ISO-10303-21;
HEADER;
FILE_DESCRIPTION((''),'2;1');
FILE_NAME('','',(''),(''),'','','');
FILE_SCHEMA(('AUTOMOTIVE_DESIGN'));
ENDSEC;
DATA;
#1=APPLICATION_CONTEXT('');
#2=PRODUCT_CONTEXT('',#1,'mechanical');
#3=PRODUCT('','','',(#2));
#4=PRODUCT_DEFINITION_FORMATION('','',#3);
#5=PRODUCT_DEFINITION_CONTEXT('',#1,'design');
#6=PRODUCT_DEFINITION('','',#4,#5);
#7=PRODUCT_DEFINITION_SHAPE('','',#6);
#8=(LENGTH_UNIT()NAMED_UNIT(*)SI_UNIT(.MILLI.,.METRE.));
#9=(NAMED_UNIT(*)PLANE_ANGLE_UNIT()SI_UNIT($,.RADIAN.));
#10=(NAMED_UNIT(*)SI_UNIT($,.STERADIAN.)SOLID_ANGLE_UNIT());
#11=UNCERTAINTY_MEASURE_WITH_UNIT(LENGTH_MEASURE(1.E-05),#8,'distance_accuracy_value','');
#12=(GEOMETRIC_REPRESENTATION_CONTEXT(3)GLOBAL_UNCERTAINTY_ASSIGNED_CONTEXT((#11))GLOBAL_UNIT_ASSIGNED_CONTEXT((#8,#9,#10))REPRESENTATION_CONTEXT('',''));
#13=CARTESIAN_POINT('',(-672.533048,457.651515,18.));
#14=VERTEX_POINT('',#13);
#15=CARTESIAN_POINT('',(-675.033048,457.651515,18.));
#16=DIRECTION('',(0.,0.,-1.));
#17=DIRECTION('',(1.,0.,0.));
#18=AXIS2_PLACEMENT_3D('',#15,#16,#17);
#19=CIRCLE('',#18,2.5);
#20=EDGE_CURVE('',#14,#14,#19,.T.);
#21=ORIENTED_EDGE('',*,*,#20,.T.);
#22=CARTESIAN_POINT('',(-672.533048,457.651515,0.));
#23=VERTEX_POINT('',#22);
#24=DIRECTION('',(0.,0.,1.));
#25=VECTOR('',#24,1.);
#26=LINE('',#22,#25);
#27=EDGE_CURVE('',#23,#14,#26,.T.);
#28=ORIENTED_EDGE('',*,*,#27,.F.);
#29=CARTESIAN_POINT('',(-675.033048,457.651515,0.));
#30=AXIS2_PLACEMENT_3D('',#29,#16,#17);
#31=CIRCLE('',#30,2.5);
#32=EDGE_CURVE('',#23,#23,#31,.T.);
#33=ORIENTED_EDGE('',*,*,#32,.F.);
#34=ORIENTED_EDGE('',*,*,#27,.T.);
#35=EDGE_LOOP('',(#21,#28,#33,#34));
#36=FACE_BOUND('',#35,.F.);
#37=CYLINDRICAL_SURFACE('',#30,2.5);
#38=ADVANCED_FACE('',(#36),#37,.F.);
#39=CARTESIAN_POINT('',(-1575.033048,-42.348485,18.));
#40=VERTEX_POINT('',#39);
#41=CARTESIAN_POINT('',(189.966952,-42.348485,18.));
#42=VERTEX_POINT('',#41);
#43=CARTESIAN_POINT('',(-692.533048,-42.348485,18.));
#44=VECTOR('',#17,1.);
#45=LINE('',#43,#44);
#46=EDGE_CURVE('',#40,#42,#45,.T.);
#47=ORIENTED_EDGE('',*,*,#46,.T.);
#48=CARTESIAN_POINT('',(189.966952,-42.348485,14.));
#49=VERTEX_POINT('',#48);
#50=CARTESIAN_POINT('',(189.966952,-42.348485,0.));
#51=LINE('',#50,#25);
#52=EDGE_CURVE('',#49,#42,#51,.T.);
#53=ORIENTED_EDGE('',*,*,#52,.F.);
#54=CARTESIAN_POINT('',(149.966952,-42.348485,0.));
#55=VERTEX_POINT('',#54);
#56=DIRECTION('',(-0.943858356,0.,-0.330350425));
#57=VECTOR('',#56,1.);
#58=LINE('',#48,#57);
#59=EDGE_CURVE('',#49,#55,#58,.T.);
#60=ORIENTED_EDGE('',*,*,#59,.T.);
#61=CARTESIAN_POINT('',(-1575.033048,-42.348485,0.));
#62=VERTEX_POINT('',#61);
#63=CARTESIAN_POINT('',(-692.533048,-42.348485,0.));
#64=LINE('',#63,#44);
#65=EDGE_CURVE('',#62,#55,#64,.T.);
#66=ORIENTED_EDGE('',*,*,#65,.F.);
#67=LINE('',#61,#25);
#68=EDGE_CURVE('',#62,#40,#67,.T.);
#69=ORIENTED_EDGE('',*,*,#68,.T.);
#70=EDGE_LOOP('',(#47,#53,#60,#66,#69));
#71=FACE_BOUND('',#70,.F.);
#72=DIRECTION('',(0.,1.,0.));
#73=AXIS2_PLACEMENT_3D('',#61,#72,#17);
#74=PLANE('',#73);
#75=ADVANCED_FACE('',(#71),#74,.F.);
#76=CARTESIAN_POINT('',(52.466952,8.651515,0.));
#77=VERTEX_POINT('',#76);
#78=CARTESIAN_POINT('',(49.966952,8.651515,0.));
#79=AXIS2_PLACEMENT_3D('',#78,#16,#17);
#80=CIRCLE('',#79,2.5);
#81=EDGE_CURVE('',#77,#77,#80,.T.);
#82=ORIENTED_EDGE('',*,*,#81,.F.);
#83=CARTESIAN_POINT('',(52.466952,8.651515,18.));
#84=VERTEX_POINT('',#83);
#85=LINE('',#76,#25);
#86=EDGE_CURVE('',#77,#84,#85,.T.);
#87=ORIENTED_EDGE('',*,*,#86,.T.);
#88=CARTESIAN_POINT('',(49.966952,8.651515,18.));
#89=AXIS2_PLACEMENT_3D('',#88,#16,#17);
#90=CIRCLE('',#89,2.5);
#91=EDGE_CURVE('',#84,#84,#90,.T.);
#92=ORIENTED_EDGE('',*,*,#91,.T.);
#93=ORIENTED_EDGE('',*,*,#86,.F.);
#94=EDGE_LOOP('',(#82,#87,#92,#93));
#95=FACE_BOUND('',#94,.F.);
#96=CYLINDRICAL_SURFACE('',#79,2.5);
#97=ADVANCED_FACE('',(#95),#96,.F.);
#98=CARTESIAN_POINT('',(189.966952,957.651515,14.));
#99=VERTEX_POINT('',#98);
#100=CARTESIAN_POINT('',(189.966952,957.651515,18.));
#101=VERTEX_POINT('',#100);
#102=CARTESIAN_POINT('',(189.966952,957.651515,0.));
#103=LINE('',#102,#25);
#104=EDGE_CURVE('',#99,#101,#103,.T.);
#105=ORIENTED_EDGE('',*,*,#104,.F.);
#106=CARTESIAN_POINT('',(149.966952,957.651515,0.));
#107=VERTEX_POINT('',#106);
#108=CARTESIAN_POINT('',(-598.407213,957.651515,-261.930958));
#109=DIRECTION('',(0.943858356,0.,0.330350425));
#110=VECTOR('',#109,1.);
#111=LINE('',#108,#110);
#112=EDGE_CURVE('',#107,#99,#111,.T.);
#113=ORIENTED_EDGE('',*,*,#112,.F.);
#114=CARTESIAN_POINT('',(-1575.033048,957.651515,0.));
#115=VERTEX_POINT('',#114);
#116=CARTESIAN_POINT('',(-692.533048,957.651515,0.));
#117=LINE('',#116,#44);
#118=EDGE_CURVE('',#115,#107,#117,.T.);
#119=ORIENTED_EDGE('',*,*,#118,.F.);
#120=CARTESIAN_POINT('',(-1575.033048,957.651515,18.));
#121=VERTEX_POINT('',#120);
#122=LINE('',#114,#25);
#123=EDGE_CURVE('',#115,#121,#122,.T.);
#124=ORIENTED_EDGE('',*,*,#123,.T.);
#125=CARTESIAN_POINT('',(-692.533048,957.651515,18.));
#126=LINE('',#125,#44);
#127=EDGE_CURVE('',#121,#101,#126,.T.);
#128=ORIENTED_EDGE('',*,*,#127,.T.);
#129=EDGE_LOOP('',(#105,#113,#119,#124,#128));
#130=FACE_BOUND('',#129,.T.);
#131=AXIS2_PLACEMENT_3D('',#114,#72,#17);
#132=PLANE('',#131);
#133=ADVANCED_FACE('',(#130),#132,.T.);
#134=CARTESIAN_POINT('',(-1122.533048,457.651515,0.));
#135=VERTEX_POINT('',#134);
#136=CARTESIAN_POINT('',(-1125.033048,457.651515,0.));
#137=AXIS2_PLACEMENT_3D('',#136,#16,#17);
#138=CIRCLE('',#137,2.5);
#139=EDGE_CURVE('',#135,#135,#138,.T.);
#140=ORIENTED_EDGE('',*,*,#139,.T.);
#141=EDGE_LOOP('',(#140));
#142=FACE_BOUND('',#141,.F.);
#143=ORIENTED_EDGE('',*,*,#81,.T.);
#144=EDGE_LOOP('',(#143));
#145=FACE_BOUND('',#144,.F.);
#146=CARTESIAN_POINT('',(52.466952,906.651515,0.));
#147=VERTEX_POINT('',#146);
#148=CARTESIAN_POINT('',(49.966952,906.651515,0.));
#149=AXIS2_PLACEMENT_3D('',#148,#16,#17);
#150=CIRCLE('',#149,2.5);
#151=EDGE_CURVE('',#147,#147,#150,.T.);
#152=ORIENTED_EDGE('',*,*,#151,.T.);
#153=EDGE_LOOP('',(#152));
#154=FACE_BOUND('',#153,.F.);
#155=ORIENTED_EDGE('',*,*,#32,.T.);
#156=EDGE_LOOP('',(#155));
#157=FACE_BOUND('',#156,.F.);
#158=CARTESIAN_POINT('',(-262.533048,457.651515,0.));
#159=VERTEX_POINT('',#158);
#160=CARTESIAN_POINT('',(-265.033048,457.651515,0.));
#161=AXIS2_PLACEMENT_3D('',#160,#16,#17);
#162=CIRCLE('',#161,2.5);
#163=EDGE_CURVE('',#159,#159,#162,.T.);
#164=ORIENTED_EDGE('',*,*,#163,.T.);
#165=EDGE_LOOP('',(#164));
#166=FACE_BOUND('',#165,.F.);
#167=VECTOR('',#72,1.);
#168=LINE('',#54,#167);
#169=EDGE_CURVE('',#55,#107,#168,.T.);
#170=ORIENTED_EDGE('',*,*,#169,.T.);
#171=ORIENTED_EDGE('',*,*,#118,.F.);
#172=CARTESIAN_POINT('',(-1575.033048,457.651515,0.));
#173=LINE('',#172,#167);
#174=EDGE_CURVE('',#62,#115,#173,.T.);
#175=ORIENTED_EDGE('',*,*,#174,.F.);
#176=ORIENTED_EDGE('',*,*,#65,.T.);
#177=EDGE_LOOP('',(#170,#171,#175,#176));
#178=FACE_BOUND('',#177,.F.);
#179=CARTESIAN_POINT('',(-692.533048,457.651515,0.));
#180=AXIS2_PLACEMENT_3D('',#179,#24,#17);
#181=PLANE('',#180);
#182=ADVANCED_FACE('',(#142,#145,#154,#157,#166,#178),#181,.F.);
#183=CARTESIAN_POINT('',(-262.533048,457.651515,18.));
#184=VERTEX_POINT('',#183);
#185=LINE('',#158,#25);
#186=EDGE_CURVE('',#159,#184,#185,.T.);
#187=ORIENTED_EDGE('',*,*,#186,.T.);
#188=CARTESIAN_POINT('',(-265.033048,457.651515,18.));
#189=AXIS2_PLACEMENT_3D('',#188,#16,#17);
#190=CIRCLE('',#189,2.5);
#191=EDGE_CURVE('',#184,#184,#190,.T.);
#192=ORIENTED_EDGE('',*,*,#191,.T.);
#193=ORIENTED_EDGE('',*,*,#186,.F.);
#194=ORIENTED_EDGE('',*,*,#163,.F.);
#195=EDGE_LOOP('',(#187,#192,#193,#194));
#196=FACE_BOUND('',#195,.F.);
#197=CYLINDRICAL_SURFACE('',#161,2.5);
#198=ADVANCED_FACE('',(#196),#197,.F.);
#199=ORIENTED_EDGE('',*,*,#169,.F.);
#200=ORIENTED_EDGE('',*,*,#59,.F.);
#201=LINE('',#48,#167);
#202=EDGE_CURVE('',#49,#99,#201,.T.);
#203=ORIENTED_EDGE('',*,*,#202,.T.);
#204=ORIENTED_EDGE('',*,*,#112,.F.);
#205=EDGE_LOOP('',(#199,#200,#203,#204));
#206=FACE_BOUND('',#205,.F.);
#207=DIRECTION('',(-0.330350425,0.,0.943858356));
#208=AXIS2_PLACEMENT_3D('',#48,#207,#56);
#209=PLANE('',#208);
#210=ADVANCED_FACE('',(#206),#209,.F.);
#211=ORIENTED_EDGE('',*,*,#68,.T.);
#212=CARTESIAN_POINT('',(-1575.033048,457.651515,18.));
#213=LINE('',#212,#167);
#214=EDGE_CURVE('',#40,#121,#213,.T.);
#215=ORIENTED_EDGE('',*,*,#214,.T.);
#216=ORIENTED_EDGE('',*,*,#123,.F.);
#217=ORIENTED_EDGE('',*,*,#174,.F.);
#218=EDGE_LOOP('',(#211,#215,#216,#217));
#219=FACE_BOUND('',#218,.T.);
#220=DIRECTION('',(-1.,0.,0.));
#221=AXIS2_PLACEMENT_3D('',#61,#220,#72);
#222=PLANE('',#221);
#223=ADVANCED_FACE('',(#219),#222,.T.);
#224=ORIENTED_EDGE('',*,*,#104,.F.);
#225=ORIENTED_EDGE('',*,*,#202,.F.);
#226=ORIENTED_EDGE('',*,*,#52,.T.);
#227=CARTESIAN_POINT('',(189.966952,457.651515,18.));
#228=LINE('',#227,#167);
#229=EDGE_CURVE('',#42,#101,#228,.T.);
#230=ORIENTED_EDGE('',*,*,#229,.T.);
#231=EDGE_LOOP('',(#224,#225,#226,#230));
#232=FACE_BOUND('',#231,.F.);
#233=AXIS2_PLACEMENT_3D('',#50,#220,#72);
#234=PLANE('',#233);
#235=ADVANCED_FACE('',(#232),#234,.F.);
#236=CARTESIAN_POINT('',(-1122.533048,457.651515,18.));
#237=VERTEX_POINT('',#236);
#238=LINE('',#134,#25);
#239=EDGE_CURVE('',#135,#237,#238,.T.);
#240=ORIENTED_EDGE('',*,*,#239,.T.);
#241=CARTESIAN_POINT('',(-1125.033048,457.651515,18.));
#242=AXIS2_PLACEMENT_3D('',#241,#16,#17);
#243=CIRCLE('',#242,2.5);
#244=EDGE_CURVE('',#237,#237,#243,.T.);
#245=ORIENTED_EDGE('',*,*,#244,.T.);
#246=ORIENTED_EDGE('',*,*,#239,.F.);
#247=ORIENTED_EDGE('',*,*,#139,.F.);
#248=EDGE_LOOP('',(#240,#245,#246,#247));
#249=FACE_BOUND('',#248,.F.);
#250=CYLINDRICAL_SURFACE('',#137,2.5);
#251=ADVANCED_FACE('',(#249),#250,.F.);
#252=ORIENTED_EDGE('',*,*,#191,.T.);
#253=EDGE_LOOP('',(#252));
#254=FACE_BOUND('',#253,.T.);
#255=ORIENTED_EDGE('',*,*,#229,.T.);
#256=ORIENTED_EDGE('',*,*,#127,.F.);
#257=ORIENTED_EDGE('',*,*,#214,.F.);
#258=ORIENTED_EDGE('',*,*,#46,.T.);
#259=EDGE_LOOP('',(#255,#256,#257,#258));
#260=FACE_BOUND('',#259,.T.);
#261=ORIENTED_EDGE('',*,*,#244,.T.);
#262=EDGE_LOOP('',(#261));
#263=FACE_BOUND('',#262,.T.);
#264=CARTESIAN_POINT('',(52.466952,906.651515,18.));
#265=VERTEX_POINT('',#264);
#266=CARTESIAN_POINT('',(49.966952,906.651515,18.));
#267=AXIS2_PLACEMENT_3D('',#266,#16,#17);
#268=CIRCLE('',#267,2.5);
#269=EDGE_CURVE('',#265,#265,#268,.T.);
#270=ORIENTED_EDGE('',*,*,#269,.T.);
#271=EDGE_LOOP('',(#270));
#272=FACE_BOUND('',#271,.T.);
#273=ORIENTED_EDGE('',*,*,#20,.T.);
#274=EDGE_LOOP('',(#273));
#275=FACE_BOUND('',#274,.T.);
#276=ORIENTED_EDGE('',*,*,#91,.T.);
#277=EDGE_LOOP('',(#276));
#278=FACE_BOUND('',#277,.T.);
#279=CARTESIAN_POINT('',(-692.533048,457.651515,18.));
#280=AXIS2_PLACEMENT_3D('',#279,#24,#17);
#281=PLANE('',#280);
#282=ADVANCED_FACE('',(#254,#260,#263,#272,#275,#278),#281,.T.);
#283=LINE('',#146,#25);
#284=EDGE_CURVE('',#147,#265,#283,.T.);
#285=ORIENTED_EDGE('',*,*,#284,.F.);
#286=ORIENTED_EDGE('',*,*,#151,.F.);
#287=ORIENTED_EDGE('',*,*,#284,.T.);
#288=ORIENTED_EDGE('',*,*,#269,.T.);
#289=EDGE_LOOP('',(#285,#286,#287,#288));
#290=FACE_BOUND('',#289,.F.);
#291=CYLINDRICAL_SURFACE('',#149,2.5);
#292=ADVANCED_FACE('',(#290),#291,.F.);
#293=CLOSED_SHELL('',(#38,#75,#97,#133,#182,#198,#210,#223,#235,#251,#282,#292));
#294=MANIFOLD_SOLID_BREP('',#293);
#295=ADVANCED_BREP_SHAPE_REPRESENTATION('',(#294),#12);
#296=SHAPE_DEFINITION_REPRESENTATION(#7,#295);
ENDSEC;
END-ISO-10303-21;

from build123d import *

# Parameters (mm, degrees)
F0_W     = 1765
F0_H     = 1000
F1_DEPTH = 18
F3_DEPTH = 1000.001
F4_R     = 2.5
F5_DEPTH = 25


with BuildPart() as f1:
    # F0 (on Top) → F1 (new body)
    with BuildSketch(Plane.XY):
        with Locations((-692.533048, 457.651515)):
            Rectangle(F0_W, F0_H)
    extrude(amount=F1_DEPTH)

    # F2 (on face) → F3 (cut, through all)
    with BuildSketch(Plane.XZ.offset(42.348485)):
        Polygon((189.966952, 0), (189.966952, 14), (149.966952, 0), align=None)
    extrude(amount=-F3_DEPTH, mode=Mode.SUBTRACT)

    # F4 (on face) → F5 (cut)
    with BuildSketch(Plane(origin=(0, 0, 0), x_dir=(1, 0, 0), z_dir=(0, 0, -1))):
        with Locations((49.966952, -8.651515)):
            Circle(F4_R)
        with Locations((49.966952, -906.651515)):
            Circle(F4_R)
        with Locations((-675.033048, -457.651515)):
            Circle(F4_R)
        with Locations((-265.033048, -457.651515)):
            Circle(F4_R)
        with Locations((-1125.033048, -457.651515)):
            Circle(F4_R)
    extrude(amount=-F5_DEPTH, mode=Mode.SUBTRACT)


solid = f1.part
